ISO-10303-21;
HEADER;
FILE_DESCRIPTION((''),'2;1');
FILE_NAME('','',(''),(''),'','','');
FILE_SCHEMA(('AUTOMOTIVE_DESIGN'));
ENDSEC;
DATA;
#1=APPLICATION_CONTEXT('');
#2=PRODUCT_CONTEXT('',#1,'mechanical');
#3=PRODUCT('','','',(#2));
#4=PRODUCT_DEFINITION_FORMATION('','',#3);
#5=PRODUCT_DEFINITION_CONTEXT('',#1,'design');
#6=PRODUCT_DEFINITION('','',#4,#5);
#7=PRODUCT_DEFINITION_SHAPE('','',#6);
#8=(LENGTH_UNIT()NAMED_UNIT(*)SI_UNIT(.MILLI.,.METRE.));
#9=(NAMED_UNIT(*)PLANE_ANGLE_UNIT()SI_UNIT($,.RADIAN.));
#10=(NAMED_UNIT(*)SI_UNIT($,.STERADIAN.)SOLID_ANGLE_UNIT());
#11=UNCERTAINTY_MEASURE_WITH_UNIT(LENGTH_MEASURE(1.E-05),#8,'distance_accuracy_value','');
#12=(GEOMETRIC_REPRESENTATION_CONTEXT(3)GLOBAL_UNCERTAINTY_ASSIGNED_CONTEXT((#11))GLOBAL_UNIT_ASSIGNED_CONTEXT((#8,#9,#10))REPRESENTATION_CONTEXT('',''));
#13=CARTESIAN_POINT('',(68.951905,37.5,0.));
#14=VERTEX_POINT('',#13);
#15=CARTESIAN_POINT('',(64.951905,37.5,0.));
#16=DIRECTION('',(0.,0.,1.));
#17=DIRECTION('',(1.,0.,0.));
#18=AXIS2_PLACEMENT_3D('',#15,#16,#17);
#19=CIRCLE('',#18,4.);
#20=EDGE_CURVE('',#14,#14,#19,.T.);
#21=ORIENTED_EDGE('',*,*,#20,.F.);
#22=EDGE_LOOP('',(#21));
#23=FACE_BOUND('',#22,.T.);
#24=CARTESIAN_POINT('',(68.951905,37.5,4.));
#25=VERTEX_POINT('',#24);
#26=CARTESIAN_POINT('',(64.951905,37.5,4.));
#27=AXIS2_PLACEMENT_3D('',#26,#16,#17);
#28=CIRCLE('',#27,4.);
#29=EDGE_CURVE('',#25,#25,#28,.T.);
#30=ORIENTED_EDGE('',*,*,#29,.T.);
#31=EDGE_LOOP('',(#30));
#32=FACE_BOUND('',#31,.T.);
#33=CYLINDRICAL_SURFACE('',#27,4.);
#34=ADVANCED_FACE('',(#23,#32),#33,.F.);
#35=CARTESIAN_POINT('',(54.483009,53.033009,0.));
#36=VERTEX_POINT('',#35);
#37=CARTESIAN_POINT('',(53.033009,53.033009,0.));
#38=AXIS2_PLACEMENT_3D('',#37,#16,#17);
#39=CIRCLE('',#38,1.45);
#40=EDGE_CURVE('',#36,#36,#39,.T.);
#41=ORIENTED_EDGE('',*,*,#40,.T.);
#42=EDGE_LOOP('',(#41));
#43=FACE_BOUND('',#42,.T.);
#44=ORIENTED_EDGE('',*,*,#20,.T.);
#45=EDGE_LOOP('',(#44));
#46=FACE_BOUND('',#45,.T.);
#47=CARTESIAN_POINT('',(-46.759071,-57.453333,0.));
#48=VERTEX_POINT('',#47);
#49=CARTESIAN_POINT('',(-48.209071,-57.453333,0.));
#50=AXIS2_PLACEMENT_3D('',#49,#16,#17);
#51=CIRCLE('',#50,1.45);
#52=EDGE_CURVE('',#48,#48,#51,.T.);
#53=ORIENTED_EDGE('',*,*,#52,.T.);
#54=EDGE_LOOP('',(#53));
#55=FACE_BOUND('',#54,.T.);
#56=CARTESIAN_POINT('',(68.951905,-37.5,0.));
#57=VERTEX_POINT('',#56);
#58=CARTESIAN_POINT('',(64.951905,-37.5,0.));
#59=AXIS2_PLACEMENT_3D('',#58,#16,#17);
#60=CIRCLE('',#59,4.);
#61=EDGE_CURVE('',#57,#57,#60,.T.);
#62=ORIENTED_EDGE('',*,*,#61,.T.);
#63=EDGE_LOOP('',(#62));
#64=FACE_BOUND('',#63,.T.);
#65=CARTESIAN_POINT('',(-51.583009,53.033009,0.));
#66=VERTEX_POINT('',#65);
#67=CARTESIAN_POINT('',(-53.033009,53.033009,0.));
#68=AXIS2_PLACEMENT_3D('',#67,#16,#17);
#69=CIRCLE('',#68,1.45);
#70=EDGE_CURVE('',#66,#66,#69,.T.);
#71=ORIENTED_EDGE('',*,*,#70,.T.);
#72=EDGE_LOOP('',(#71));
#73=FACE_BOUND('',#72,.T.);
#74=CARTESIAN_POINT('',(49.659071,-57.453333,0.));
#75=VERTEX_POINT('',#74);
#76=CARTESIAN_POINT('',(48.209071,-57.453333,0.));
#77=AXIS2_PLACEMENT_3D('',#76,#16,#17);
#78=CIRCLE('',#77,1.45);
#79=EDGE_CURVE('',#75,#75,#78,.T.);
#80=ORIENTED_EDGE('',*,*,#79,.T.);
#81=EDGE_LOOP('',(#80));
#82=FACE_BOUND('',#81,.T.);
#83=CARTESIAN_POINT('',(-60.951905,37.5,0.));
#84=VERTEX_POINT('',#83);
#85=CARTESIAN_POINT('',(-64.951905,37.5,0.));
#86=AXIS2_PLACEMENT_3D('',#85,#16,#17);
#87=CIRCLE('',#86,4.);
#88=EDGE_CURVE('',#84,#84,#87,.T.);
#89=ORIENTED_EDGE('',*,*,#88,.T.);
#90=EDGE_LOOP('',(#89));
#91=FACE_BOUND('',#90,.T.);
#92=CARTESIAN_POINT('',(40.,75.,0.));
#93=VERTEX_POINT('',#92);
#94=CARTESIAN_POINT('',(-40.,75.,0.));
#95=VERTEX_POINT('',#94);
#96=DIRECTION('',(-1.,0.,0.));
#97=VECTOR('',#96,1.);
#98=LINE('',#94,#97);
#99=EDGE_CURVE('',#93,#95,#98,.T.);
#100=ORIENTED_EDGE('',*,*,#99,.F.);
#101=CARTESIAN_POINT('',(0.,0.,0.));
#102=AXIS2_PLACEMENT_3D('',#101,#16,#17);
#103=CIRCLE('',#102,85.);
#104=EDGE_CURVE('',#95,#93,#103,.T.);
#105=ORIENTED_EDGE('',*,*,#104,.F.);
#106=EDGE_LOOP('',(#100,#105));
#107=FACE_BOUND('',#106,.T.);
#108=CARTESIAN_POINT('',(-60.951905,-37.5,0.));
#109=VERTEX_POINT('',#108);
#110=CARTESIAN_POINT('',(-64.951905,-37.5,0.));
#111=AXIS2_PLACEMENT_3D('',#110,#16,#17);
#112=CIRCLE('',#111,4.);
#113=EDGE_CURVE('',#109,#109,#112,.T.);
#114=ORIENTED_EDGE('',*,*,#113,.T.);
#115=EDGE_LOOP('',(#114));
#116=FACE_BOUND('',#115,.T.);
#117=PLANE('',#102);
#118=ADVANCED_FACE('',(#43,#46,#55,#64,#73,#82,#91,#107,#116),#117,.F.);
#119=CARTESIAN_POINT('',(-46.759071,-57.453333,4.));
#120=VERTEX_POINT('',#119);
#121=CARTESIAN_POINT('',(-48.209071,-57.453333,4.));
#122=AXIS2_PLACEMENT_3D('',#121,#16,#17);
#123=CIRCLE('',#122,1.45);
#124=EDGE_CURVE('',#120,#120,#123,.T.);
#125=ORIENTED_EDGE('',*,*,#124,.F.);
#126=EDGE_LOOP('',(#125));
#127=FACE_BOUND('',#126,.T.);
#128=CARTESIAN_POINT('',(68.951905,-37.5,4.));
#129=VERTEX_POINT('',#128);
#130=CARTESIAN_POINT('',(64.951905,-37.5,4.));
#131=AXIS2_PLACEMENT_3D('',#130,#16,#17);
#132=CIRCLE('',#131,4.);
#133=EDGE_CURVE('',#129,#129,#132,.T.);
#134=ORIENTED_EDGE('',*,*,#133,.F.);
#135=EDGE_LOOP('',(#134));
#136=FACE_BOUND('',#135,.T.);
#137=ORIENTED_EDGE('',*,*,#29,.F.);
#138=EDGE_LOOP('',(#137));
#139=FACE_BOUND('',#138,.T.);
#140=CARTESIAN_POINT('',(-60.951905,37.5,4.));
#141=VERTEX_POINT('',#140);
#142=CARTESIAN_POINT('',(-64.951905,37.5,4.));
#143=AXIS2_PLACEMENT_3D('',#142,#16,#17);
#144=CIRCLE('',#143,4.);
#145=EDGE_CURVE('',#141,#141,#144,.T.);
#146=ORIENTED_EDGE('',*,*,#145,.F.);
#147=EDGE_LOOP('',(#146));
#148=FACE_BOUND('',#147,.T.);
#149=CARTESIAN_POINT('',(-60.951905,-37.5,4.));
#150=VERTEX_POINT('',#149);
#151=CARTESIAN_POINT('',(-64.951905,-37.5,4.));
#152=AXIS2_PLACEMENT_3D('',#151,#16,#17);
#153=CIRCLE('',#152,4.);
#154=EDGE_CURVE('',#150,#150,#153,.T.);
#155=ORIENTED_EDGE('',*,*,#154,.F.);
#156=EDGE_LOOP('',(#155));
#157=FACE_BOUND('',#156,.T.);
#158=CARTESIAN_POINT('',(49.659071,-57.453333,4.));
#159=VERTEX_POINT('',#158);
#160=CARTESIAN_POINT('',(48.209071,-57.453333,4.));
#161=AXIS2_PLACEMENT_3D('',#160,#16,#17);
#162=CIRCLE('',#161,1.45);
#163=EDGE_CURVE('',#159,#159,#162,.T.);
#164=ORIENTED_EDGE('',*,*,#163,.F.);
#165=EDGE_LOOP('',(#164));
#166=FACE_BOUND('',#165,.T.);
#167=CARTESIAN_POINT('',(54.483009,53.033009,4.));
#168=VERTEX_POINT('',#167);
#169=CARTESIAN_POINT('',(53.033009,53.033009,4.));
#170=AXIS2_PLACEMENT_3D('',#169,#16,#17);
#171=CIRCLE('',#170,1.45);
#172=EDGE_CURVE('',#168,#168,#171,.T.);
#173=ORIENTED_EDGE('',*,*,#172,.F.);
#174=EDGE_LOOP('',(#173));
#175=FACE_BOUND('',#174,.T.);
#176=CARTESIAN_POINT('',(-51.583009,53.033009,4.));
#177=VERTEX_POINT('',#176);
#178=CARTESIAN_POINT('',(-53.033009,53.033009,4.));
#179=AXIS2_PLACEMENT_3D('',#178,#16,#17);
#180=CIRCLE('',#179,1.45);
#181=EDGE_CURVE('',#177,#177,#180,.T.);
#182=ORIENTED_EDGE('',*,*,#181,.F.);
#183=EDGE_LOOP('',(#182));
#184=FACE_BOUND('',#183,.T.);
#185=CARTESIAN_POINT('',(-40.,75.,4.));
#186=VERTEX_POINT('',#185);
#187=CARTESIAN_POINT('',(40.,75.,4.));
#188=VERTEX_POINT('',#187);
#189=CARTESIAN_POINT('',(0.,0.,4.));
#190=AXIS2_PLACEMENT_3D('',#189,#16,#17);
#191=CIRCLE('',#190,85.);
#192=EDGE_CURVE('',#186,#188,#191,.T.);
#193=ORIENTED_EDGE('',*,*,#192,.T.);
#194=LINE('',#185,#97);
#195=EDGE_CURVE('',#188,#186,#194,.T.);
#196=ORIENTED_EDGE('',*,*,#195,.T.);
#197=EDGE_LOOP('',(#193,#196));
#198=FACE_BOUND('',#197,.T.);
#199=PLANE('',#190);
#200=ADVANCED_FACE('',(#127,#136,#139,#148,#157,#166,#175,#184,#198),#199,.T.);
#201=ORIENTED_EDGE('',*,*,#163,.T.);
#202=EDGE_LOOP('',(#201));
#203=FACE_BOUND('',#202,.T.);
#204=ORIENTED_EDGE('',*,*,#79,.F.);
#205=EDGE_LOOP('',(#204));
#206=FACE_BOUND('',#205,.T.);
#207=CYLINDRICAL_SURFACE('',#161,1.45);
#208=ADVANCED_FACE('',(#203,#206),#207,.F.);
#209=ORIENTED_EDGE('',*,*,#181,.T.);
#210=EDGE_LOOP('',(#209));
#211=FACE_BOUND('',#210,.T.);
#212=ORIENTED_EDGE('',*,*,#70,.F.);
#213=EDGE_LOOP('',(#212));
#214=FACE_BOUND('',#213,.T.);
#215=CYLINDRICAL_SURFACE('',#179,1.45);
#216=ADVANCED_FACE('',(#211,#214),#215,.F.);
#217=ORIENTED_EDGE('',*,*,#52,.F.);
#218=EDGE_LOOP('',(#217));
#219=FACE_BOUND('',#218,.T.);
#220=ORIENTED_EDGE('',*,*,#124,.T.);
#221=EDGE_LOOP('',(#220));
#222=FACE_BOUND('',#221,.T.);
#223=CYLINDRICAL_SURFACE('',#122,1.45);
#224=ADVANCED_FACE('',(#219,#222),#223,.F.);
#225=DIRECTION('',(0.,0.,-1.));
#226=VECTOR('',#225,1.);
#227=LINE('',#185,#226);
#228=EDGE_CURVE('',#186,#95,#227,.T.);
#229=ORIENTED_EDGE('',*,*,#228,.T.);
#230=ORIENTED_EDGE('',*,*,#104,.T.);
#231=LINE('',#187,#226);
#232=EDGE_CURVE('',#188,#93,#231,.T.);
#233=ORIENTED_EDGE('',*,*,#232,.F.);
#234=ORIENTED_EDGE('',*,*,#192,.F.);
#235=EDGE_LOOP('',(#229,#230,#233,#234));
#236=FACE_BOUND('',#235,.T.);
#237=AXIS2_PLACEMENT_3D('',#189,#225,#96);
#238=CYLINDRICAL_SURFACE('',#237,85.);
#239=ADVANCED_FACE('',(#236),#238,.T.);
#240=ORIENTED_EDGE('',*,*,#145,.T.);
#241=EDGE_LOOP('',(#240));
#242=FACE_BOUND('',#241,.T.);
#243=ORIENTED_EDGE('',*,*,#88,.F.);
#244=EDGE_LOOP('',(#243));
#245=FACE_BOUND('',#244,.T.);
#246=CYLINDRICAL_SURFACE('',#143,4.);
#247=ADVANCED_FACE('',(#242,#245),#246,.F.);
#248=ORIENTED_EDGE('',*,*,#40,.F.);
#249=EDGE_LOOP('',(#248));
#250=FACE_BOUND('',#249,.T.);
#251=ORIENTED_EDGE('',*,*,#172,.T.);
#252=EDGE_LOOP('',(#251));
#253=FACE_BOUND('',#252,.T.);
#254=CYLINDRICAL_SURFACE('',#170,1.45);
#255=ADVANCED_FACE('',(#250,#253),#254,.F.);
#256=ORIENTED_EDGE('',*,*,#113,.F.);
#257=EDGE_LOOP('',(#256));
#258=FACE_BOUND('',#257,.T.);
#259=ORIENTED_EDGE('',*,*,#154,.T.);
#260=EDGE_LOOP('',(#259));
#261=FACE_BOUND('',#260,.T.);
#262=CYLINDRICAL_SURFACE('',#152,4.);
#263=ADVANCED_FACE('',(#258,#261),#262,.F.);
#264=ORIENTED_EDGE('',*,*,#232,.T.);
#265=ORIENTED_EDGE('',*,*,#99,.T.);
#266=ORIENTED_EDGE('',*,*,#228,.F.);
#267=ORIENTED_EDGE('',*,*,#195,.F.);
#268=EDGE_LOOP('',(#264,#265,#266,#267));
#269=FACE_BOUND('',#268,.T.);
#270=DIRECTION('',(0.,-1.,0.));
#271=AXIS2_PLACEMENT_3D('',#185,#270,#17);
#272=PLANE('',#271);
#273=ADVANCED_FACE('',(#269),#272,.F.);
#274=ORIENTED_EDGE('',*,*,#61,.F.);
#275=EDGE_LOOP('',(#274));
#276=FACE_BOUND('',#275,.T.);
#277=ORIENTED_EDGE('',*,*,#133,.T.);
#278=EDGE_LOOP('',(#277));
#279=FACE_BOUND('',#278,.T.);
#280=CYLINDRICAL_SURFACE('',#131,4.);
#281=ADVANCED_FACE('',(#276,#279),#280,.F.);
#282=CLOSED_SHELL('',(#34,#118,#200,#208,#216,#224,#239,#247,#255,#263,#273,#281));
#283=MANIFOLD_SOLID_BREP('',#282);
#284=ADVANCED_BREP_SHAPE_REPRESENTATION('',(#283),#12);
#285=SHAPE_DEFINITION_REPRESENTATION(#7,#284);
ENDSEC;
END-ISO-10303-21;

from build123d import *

# Parameters (mm, degrees)
RESSALTO_EXTRUS_O1_DEPTH      = 4
FURO_COM_FOLGA_DE_M2_51_D     = 2.9
FURO_COM_FOLGA_DE_M2_51_DEPTH = 7.25
FURO_COM_FOLGA_DE_M2_51_TIP   = 0.871247898
FUROS_GUIA_COM_8_0MM1_D       = 8
FUROS_GUIA_COM_8_0MM1_DEPTH   = 7.25
FUROS_GUIA_COM_8_0MM1_TIP     = 2.403442476


with BuildPart() as part:
    # Esboço1 → Ressalto-extrusão1 (new body)
    with BuildSketch(Plane.XY):
        with BuildLine():
            Line((-40, 75), (40, 75))
            ThreePointArc((40, 75), (0, -85), (-40, 75))
        make_face()
    extrude(amount=RESSALTO_EXTRUS_O1_DEPTH)

    # Furo com folga de M2.51
    with Locations(Plane(origin=(-53.033008589, 53.033008589, 4), x_dir=(1, 0, 0), z_dir=(0, 0, 1))):
        with Locations((0, 0), (106.066017178, 0), (101.242079315, -110.486341823), (4.823937863, -110.486341823)):
            Hole(FURO_COM_FOLGA_DE_M2_51_D / 2, depth=FURO_COM_FOLGA_DE_M2_51_DEPTH)
            with Locations((0, 0, -(FURO_COM_FOLGA_DE_M2_51_DEPTH + FURO_COM_FOLGA_DE_M2_51_TIP / 2))):  # 118° drill point
                Cone(0, FURO_COM_FOLGA_DE_M2_51_D / 2, FURO_COM_FOLGA_DE_M2_51_TIP, mode=Mode.SUBTRACT)

    # Furos-guia com Ø8.0mm1
    with Locations(Plane(origin=(-64.951905284, 37.5, 4), x_dir=(1, 0, 0), z_dir=(0, 0, 1))):
        with Locations((0, 0), (0, -75), (129.903810568, 0), (129.903810568, -75)):
            Hole(FUROS_GUIA_COM_8_0MM1_D / 2, depth=FUROS_GUIA_COM_8_0MM1_DEPTH)
            with Locations((0, 0, -(FUROS_GUIA_COM_8_0MM1_DEPTH + FUROS_GUIA_COM_8_0MM1_TIP / 2))):  # 118° drill point
                Cone(0, FUROS_GUIA_COM_8_0MM1_D / 2, FUROS_GUIA_COM_8_0MM1_TIP, mode=Mode.SUBTRACT)


solid = part.part
